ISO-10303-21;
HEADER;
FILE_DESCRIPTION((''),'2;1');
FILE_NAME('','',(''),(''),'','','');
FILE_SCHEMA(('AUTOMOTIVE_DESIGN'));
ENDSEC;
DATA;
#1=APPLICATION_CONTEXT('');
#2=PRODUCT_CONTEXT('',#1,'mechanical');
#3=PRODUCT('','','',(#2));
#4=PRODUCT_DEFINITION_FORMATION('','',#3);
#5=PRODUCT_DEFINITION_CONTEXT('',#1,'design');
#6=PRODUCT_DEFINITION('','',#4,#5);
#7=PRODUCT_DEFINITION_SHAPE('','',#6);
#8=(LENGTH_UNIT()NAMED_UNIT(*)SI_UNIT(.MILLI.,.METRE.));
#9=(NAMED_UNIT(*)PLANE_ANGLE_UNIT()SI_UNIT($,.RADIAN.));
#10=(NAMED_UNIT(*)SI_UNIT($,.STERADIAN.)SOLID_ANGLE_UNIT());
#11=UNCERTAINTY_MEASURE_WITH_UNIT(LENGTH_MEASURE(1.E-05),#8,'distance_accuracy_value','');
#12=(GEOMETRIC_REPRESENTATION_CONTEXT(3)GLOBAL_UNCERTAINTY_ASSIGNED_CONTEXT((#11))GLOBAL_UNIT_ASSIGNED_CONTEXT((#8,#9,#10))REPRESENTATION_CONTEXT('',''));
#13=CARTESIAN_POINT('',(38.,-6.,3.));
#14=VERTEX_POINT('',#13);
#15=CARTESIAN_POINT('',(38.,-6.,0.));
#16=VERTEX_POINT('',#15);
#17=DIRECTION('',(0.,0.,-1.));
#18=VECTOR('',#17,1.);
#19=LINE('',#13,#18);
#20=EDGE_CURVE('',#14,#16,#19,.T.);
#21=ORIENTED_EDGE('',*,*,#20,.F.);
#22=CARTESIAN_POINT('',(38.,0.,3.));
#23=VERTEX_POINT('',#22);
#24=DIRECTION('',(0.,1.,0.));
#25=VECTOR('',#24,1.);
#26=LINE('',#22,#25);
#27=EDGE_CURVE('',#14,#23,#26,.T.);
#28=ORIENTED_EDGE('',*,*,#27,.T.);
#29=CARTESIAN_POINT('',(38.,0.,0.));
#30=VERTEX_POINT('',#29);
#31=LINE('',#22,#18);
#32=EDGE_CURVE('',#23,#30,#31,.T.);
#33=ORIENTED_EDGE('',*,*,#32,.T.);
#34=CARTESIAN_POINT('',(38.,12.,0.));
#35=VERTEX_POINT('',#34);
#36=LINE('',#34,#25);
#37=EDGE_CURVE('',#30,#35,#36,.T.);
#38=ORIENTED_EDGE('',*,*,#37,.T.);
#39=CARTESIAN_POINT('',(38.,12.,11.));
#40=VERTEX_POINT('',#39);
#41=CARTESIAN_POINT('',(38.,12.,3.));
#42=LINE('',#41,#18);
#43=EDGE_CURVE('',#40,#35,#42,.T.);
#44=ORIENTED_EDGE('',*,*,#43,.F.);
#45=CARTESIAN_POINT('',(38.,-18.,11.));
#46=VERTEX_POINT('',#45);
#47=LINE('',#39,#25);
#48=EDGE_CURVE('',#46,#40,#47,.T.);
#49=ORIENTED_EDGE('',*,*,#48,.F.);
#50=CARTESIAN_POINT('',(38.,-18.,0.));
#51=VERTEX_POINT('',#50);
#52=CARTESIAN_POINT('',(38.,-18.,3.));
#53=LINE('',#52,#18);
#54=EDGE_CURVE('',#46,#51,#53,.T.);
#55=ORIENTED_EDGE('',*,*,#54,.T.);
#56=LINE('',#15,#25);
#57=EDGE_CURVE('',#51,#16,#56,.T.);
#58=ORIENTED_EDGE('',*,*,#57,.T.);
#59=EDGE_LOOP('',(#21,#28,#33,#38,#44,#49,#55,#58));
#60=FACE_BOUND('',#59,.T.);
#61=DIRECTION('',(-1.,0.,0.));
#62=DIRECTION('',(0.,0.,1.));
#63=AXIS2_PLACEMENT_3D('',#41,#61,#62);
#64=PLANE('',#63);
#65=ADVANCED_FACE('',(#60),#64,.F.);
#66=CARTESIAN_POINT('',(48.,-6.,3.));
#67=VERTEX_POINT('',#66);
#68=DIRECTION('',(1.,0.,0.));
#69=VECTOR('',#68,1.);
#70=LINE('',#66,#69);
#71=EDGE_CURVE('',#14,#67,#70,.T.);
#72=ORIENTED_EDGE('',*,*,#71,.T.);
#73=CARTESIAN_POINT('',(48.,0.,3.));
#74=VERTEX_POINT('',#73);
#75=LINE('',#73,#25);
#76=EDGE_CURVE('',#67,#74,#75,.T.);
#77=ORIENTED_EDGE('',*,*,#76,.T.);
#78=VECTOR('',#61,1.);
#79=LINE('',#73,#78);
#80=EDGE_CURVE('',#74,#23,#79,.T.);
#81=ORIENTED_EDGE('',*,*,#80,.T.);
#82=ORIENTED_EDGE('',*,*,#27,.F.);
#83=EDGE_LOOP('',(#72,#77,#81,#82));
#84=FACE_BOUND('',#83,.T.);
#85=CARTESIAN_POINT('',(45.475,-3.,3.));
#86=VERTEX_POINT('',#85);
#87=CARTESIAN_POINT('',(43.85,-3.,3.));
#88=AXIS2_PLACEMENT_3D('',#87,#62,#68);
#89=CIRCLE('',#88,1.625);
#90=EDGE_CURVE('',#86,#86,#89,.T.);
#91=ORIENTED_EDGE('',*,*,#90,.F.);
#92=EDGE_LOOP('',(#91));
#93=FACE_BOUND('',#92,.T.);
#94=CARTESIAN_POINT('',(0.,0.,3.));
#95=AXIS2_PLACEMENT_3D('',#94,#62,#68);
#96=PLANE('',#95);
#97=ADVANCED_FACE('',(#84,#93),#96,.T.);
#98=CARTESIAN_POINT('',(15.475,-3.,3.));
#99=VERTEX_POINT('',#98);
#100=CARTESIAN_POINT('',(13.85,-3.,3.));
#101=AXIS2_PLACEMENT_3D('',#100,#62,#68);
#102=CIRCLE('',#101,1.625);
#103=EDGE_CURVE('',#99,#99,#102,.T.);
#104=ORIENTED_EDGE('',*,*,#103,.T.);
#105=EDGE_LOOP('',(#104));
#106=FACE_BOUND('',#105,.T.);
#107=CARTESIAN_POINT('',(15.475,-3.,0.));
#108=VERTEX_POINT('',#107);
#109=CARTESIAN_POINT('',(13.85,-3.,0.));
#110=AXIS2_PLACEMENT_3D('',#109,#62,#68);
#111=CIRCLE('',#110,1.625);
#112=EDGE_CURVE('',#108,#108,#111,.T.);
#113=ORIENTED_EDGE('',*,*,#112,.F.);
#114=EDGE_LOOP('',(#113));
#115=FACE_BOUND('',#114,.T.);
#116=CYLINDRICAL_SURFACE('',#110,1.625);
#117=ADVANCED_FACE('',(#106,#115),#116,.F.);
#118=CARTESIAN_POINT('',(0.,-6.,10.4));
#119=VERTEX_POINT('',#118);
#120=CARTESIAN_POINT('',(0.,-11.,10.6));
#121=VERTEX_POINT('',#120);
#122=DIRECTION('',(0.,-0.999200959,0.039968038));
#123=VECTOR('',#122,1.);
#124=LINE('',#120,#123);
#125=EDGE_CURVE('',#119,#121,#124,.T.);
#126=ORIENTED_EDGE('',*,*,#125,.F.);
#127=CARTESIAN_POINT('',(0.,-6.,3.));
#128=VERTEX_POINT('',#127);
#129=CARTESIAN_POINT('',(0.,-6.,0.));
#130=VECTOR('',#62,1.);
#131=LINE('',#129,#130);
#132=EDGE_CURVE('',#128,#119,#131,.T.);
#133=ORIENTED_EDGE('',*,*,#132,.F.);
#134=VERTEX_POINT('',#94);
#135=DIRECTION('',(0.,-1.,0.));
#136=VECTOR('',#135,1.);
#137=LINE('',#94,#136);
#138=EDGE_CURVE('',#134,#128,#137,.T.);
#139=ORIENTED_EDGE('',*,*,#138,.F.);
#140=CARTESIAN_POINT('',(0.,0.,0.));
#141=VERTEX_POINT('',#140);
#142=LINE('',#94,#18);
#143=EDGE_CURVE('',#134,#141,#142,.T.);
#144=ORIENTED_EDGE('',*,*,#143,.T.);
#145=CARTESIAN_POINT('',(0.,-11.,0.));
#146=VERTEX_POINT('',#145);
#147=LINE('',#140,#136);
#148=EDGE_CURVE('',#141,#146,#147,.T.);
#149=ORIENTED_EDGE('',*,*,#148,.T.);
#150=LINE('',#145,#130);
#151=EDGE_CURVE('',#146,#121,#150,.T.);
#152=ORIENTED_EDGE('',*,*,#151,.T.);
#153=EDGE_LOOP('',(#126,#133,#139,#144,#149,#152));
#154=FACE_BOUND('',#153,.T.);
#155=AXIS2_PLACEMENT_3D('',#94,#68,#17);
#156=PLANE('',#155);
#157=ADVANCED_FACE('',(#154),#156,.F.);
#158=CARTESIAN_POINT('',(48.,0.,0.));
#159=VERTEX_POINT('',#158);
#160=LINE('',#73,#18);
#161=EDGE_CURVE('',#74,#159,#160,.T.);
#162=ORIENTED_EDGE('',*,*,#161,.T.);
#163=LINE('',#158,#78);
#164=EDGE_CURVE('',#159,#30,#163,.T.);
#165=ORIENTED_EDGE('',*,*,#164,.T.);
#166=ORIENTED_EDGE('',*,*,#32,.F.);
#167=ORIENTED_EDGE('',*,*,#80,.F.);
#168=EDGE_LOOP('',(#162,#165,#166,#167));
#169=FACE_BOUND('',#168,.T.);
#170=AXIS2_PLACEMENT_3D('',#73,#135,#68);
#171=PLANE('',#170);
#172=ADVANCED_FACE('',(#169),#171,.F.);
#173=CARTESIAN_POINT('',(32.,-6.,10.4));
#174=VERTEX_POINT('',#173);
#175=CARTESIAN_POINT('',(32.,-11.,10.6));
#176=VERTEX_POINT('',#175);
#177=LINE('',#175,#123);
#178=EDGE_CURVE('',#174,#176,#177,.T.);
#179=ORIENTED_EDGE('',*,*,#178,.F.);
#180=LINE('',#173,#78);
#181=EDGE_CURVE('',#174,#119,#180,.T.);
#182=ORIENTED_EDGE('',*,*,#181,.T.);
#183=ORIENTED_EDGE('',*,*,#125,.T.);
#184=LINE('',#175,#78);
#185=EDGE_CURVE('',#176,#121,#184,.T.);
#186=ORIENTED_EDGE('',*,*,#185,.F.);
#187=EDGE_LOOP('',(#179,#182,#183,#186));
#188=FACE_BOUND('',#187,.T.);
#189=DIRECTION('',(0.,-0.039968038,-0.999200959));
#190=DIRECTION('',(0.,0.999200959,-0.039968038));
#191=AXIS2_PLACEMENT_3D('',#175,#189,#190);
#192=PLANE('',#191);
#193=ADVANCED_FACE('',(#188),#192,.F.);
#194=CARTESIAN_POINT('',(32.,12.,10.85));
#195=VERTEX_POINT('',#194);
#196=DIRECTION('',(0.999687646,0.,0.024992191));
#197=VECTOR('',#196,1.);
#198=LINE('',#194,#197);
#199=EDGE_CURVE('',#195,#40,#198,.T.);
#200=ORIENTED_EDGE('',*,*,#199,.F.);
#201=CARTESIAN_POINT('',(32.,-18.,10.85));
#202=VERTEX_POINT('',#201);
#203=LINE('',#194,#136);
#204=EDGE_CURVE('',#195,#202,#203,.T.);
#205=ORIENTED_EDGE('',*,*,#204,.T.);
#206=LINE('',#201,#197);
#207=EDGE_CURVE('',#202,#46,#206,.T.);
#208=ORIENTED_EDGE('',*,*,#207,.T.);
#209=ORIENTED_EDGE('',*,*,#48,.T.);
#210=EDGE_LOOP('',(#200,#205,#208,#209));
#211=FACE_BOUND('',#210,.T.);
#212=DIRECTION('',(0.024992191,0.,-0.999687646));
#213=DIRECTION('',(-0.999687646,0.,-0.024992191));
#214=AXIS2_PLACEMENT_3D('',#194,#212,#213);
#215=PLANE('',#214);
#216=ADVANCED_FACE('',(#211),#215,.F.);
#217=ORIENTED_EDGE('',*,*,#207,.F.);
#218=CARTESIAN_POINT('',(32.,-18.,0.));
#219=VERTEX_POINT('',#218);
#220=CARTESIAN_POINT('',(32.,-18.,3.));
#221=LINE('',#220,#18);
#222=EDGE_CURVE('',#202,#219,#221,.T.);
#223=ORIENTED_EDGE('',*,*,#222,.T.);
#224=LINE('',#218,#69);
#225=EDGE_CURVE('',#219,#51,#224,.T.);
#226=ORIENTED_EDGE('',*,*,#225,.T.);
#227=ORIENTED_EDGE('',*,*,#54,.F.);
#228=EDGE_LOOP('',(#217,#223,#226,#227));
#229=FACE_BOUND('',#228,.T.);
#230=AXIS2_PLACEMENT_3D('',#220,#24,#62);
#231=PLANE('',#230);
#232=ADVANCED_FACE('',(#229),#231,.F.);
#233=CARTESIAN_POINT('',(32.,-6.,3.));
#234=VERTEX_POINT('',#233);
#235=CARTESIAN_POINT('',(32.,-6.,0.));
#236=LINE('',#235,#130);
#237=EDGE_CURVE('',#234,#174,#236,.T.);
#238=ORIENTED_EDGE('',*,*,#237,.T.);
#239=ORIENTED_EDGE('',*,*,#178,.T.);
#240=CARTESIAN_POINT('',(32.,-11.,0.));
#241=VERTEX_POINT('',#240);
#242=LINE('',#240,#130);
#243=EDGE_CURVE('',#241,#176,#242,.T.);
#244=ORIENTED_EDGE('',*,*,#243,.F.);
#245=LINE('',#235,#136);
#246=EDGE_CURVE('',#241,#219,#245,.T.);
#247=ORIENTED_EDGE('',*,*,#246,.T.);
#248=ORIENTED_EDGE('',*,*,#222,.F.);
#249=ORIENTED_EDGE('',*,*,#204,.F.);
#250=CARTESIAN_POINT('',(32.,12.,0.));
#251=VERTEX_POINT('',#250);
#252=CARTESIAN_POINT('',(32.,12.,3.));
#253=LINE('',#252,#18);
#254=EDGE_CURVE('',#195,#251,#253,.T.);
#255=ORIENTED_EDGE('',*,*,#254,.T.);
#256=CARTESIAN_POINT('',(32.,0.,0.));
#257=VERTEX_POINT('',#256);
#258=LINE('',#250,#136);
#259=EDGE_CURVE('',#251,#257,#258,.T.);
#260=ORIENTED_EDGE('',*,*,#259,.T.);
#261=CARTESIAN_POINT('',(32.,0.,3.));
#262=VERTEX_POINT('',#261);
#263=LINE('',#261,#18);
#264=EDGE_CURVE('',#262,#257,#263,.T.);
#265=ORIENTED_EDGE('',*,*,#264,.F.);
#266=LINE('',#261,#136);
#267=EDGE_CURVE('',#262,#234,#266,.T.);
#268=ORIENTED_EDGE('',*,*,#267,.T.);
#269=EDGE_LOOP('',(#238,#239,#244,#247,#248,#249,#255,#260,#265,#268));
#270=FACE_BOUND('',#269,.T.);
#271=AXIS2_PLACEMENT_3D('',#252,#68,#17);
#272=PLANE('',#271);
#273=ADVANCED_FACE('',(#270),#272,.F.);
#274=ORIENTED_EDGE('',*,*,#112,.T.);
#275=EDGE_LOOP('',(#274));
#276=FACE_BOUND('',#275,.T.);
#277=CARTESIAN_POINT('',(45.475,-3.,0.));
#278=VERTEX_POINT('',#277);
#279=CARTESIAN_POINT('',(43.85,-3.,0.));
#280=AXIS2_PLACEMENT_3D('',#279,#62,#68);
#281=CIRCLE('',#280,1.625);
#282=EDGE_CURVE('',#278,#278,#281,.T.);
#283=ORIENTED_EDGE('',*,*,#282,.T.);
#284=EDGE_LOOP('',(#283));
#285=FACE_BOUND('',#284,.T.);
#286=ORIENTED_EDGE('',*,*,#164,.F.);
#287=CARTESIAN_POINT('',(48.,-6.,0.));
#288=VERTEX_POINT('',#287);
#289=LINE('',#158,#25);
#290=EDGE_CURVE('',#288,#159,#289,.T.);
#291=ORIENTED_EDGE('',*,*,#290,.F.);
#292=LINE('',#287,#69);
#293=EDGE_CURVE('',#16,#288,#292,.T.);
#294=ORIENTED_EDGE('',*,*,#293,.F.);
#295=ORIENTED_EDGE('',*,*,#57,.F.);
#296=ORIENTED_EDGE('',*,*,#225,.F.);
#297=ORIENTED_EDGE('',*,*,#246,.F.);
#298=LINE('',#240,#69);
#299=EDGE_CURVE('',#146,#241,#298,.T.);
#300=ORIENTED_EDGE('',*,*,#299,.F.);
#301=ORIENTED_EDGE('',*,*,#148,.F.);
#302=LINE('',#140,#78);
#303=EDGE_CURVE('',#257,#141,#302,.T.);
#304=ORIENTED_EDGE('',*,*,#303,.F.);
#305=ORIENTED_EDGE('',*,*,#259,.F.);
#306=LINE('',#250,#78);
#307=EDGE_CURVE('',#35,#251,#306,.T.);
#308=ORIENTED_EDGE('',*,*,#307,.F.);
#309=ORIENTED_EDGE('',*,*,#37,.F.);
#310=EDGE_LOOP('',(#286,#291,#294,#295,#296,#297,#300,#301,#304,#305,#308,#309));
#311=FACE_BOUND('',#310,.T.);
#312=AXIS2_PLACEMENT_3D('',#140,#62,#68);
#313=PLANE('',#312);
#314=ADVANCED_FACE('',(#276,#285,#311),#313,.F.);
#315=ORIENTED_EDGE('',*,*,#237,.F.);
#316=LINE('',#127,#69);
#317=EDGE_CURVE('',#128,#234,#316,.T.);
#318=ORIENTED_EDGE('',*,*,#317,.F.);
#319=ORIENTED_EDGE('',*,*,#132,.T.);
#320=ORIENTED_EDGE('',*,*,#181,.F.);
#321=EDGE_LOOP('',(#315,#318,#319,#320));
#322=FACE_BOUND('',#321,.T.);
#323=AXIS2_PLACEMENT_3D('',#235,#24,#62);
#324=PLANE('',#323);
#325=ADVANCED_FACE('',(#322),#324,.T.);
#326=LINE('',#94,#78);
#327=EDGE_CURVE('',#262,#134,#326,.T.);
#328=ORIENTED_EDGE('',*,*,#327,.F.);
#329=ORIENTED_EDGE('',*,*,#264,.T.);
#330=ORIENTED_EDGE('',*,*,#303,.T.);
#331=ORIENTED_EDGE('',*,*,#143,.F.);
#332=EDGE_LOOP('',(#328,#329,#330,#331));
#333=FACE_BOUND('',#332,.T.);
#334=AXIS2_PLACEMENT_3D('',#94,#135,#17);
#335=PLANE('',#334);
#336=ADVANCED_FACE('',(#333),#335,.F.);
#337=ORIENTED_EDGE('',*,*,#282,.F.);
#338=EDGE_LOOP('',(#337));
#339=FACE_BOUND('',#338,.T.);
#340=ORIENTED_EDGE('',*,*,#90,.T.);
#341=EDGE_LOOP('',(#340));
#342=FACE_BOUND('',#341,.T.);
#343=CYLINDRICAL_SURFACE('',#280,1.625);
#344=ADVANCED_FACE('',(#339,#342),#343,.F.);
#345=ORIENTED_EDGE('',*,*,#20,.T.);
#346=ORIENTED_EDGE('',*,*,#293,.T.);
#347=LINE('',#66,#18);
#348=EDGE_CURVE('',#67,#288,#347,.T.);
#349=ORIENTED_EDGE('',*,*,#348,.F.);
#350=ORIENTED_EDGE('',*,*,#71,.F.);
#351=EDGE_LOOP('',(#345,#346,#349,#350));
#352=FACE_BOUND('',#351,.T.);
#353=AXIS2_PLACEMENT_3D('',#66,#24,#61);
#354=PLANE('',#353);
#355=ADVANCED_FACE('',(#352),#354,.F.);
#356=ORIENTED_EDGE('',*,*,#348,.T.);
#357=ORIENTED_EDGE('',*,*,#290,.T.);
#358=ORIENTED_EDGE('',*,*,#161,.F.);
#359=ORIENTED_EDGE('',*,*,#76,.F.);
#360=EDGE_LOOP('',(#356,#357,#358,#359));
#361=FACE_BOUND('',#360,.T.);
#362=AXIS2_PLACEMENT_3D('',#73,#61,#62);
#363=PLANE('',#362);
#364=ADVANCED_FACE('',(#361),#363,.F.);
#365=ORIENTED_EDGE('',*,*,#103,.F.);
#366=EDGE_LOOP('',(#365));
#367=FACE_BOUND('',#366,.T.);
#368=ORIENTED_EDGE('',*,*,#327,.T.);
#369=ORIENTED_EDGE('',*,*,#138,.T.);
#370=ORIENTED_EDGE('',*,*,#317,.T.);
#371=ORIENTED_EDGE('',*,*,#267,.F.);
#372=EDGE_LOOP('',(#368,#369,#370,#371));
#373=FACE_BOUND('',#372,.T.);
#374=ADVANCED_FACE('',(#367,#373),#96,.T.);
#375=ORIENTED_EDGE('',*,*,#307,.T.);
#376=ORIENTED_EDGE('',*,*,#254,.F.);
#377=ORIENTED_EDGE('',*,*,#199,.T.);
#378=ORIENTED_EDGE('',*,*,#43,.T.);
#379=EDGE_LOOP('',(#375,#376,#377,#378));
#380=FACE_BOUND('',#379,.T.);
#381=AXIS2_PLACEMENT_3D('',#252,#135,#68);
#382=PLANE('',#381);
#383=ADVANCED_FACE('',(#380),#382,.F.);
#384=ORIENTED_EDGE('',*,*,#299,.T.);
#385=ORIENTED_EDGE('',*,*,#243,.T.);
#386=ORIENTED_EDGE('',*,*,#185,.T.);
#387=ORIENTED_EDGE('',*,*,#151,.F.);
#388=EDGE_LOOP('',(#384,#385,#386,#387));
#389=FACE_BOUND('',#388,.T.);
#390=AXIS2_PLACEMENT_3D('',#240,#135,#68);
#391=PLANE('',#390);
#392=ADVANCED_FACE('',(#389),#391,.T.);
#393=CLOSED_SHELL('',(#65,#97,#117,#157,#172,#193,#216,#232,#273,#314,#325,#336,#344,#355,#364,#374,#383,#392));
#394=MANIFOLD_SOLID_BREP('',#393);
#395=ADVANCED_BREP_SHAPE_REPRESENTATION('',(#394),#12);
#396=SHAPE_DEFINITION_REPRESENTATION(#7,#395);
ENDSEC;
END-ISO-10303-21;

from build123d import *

# Parameters (mm, degrees)
BOSS_EXTRU_1_DEPTH      = 3
ESQUISSE2_R             = 1.625
ENL_V_MAT_EXTRU_1_DEPTH = 4
BOSS_EXTRU_2_DEPTH      = 10
BOSS_EXTRU_2_DEPTH_BACK = 3
ENL_V_MAT_EXTRU_2_DEPTH = 32
ESQUISSE7_W             = 6
ESQUISSE7_H             = 30
ENL_V_MAT_EXTRU_4_DEPTH = 2
ENL_V_MAT_EXTRU_5_DEPTH = 30


with BuildPart() as part:
    # Esquisse1 → Boss.-Extru.1 (new body)
    with BuildSketch(Plane.XY):
        Polygon((32, -6), (32, -18), (38, -18), (38, -6), (48, -6), (48, 0), (38, 0), (38, 12), (32, 12), (32, 0), (0, 0), (0, -6), align=None)
    extrude(amount=BOSS_EXTRU_1_DEPTH)

    # Esquisse2 → Enlèv. mat.-Extru.1 (cut, through all)
    with BuildSketch(Plane.XY.offset(3)):
        with Locations((13.85, -3)):
            Circle(ESQUISSE2_R)
        with Locations((43.85, -3)):
            Circle(ESQUISSE2_R)
    extrude(amount=-ENL_V_MAT_EXTRU_1_DEPTH, mode=Mode.SUBTRACT)

    # Esquisse3 → Boss.-Extru.2 (add, two sides)
    with BuildSketch(Plane.XY.offset(3)) as boss_extru_2_sk:
        Polygon((38, 12), (32, 12), (32, -6), (0, -6), (0, -11), (32, -11), (32, -18), (38, -18), align=None)
    extrude(amount=BOSS_EXTRU_2_DEPTH)
    extrude(boss_extru_2_sk.sketch, amount=-BOSS_EXTRU_2_DEPTH_BACK)

    # Esquisse4 → Enlèv. mat.-Extru.2 (cut)
    with BuildSketch(Plane.ZY):
        Polygon((13, -6), (13, -11), (10.6, -11), (10.4, -6), align=None)
    extrude(amount=-ENL_V_MAT_EXTRU_2_DEPTH, mode=Mode.SUBTRACT)

    # Esquisse7 → Enlèv. mat.-Extru.4 (cut)
    with BuildSketch(Plane.XY.offset(13)):
        with Locations((35, -3)):
            Rectangle(ESQUISSE7_W, ESQUISSE7_H)
    extrude(amount=-ENL_V_MAT_EXTRU_4_DEPTH, mode=Mode.SUBTRACT)

    # Esquisse8 → Enlèv. mat.-Extru.5 (cut)
    with BuildSketch(Plane.XZ.offset(18)):
        Polygon((32, 11), (32, 10.85), (38, 11), align=None)
    extrude(amount=-ENL_V_MAT_EXTRU_5_DEPTH, mode=Mode.SUBTRACT)


solid = part.part
